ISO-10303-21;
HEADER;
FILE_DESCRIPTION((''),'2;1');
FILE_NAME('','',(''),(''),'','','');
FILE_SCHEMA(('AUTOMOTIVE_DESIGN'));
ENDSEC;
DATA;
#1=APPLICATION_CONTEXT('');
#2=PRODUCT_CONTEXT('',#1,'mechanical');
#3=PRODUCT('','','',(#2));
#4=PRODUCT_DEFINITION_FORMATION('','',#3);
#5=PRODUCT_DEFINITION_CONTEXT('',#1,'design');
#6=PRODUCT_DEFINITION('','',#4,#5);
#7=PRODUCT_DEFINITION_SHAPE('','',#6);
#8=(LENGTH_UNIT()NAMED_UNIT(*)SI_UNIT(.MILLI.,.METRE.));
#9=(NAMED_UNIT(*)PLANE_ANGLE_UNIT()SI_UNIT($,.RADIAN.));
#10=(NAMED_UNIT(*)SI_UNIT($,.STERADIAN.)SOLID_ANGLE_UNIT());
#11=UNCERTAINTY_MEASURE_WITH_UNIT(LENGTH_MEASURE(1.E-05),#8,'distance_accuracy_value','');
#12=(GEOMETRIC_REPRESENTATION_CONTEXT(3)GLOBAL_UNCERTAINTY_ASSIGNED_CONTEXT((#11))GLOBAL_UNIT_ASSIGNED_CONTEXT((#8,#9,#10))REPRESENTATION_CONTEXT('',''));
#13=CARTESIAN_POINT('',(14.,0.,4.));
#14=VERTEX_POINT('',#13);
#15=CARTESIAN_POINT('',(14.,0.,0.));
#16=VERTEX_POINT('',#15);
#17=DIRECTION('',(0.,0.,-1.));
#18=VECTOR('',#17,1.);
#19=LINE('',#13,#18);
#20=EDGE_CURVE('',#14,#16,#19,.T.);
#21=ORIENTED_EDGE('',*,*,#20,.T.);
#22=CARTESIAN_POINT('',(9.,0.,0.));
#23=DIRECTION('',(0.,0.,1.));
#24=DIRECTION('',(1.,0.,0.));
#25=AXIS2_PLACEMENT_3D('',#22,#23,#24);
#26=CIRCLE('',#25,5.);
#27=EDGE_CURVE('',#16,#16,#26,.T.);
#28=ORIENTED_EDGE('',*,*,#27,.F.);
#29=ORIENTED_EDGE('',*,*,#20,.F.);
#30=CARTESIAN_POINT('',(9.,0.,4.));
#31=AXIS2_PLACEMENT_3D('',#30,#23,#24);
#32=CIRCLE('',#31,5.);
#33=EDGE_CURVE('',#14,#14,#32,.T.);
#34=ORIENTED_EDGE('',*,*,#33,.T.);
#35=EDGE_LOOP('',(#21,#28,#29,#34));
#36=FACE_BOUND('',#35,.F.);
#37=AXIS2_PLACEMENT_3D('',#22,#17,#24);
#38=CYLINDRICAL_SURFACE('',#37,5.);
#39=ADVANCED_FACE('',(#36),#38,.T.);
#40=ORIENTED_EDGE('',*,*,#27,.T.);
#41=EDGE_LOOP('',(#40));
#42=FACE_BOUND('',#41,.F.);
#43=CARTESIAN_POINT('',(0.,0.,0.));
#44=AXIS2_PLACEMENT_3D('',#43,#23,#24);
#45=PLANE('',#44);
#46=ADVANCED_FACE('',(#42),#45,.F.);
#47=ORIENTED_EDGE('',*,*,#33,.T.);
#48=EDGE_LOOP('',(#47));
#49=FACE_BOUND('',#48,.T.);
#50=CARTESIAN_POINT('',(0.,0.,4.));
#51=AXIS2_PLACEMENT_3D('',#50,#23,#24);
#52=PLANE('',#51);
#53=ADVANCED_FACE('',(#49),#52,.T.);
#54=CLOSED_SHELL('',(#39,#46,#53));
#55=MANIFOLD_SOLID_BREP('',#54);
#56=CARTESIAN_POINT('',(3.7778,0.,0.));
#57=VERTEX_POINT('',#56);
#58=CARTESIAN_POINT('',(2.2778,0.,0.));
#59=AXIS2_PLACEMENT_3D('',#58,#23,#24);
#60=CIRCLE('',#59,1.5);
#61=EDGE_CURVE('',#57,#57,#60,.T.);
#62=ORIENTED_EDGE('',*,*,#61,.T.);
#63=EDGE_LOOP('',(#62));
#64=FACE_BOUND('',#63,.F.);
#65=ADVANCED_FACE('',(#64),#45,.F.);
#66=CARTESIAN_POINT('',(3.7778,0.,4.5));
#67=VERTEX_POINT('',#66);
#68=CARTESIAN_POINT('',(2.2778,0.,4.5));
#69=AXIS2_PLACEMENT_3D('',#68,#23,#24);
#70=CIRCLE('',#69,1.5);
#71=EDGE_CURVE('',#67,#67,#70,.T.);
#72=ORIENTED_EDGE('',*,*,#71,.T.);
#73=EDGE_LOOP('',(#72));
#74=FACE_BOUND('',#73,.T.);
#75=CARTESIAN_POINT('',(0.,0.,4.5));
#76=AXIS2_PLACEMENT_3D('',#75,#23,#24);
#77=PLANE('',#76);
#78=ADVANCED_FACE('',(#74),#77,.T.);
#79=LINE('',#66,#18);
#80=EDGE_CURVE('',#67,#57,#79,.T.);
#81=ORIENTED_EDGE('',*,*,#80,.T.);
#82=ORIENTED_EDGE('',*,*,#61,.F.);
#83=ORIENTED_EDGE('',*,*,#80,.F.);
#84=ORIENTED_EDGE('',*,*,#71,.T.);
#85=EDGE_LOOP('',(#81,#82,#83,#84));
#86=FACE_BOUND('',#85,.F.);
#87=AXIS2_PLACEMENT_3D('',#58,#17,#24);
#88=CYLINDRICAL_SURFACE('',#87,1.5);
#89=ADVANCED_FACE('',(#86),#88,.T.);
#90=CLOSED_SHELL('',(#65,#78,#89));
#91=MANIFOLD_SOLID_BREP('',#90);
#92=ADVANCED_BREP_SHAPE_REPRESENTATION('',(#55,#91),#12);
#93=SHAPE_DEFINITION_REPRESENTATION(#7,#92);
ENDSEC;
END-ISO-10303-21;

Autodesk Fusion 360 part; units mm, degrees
sketch "Sketch1" plane through (0, 0, 0) normal (0, 0, 1) x (1, 0, 0)
  circle A0 centre (2.2778, 0) radius 1.5
  circle A1 centre (9, 0) radius 5
  dimension "d1" = 3
  dimension "d2" = 10
extrude "Extrude1" add sketch "Sketch1" along normal blind 2 makes body 1 at (10.3101, -1.9935, 0) makes body 2 at (3.7759, -0.0748, 1.3333)
extrude "Extrude2" add 1 faces at (2.7283, -0.3464, 2) along direction (0, 0, 1) blind 2.5 on bodies 2 bodies 2
extrude "Extrude3" add 1 faces at (10.3101, -1.9935, 2) along direction (0, 0, 1) blind 2 on bodies 1 bodies 1
